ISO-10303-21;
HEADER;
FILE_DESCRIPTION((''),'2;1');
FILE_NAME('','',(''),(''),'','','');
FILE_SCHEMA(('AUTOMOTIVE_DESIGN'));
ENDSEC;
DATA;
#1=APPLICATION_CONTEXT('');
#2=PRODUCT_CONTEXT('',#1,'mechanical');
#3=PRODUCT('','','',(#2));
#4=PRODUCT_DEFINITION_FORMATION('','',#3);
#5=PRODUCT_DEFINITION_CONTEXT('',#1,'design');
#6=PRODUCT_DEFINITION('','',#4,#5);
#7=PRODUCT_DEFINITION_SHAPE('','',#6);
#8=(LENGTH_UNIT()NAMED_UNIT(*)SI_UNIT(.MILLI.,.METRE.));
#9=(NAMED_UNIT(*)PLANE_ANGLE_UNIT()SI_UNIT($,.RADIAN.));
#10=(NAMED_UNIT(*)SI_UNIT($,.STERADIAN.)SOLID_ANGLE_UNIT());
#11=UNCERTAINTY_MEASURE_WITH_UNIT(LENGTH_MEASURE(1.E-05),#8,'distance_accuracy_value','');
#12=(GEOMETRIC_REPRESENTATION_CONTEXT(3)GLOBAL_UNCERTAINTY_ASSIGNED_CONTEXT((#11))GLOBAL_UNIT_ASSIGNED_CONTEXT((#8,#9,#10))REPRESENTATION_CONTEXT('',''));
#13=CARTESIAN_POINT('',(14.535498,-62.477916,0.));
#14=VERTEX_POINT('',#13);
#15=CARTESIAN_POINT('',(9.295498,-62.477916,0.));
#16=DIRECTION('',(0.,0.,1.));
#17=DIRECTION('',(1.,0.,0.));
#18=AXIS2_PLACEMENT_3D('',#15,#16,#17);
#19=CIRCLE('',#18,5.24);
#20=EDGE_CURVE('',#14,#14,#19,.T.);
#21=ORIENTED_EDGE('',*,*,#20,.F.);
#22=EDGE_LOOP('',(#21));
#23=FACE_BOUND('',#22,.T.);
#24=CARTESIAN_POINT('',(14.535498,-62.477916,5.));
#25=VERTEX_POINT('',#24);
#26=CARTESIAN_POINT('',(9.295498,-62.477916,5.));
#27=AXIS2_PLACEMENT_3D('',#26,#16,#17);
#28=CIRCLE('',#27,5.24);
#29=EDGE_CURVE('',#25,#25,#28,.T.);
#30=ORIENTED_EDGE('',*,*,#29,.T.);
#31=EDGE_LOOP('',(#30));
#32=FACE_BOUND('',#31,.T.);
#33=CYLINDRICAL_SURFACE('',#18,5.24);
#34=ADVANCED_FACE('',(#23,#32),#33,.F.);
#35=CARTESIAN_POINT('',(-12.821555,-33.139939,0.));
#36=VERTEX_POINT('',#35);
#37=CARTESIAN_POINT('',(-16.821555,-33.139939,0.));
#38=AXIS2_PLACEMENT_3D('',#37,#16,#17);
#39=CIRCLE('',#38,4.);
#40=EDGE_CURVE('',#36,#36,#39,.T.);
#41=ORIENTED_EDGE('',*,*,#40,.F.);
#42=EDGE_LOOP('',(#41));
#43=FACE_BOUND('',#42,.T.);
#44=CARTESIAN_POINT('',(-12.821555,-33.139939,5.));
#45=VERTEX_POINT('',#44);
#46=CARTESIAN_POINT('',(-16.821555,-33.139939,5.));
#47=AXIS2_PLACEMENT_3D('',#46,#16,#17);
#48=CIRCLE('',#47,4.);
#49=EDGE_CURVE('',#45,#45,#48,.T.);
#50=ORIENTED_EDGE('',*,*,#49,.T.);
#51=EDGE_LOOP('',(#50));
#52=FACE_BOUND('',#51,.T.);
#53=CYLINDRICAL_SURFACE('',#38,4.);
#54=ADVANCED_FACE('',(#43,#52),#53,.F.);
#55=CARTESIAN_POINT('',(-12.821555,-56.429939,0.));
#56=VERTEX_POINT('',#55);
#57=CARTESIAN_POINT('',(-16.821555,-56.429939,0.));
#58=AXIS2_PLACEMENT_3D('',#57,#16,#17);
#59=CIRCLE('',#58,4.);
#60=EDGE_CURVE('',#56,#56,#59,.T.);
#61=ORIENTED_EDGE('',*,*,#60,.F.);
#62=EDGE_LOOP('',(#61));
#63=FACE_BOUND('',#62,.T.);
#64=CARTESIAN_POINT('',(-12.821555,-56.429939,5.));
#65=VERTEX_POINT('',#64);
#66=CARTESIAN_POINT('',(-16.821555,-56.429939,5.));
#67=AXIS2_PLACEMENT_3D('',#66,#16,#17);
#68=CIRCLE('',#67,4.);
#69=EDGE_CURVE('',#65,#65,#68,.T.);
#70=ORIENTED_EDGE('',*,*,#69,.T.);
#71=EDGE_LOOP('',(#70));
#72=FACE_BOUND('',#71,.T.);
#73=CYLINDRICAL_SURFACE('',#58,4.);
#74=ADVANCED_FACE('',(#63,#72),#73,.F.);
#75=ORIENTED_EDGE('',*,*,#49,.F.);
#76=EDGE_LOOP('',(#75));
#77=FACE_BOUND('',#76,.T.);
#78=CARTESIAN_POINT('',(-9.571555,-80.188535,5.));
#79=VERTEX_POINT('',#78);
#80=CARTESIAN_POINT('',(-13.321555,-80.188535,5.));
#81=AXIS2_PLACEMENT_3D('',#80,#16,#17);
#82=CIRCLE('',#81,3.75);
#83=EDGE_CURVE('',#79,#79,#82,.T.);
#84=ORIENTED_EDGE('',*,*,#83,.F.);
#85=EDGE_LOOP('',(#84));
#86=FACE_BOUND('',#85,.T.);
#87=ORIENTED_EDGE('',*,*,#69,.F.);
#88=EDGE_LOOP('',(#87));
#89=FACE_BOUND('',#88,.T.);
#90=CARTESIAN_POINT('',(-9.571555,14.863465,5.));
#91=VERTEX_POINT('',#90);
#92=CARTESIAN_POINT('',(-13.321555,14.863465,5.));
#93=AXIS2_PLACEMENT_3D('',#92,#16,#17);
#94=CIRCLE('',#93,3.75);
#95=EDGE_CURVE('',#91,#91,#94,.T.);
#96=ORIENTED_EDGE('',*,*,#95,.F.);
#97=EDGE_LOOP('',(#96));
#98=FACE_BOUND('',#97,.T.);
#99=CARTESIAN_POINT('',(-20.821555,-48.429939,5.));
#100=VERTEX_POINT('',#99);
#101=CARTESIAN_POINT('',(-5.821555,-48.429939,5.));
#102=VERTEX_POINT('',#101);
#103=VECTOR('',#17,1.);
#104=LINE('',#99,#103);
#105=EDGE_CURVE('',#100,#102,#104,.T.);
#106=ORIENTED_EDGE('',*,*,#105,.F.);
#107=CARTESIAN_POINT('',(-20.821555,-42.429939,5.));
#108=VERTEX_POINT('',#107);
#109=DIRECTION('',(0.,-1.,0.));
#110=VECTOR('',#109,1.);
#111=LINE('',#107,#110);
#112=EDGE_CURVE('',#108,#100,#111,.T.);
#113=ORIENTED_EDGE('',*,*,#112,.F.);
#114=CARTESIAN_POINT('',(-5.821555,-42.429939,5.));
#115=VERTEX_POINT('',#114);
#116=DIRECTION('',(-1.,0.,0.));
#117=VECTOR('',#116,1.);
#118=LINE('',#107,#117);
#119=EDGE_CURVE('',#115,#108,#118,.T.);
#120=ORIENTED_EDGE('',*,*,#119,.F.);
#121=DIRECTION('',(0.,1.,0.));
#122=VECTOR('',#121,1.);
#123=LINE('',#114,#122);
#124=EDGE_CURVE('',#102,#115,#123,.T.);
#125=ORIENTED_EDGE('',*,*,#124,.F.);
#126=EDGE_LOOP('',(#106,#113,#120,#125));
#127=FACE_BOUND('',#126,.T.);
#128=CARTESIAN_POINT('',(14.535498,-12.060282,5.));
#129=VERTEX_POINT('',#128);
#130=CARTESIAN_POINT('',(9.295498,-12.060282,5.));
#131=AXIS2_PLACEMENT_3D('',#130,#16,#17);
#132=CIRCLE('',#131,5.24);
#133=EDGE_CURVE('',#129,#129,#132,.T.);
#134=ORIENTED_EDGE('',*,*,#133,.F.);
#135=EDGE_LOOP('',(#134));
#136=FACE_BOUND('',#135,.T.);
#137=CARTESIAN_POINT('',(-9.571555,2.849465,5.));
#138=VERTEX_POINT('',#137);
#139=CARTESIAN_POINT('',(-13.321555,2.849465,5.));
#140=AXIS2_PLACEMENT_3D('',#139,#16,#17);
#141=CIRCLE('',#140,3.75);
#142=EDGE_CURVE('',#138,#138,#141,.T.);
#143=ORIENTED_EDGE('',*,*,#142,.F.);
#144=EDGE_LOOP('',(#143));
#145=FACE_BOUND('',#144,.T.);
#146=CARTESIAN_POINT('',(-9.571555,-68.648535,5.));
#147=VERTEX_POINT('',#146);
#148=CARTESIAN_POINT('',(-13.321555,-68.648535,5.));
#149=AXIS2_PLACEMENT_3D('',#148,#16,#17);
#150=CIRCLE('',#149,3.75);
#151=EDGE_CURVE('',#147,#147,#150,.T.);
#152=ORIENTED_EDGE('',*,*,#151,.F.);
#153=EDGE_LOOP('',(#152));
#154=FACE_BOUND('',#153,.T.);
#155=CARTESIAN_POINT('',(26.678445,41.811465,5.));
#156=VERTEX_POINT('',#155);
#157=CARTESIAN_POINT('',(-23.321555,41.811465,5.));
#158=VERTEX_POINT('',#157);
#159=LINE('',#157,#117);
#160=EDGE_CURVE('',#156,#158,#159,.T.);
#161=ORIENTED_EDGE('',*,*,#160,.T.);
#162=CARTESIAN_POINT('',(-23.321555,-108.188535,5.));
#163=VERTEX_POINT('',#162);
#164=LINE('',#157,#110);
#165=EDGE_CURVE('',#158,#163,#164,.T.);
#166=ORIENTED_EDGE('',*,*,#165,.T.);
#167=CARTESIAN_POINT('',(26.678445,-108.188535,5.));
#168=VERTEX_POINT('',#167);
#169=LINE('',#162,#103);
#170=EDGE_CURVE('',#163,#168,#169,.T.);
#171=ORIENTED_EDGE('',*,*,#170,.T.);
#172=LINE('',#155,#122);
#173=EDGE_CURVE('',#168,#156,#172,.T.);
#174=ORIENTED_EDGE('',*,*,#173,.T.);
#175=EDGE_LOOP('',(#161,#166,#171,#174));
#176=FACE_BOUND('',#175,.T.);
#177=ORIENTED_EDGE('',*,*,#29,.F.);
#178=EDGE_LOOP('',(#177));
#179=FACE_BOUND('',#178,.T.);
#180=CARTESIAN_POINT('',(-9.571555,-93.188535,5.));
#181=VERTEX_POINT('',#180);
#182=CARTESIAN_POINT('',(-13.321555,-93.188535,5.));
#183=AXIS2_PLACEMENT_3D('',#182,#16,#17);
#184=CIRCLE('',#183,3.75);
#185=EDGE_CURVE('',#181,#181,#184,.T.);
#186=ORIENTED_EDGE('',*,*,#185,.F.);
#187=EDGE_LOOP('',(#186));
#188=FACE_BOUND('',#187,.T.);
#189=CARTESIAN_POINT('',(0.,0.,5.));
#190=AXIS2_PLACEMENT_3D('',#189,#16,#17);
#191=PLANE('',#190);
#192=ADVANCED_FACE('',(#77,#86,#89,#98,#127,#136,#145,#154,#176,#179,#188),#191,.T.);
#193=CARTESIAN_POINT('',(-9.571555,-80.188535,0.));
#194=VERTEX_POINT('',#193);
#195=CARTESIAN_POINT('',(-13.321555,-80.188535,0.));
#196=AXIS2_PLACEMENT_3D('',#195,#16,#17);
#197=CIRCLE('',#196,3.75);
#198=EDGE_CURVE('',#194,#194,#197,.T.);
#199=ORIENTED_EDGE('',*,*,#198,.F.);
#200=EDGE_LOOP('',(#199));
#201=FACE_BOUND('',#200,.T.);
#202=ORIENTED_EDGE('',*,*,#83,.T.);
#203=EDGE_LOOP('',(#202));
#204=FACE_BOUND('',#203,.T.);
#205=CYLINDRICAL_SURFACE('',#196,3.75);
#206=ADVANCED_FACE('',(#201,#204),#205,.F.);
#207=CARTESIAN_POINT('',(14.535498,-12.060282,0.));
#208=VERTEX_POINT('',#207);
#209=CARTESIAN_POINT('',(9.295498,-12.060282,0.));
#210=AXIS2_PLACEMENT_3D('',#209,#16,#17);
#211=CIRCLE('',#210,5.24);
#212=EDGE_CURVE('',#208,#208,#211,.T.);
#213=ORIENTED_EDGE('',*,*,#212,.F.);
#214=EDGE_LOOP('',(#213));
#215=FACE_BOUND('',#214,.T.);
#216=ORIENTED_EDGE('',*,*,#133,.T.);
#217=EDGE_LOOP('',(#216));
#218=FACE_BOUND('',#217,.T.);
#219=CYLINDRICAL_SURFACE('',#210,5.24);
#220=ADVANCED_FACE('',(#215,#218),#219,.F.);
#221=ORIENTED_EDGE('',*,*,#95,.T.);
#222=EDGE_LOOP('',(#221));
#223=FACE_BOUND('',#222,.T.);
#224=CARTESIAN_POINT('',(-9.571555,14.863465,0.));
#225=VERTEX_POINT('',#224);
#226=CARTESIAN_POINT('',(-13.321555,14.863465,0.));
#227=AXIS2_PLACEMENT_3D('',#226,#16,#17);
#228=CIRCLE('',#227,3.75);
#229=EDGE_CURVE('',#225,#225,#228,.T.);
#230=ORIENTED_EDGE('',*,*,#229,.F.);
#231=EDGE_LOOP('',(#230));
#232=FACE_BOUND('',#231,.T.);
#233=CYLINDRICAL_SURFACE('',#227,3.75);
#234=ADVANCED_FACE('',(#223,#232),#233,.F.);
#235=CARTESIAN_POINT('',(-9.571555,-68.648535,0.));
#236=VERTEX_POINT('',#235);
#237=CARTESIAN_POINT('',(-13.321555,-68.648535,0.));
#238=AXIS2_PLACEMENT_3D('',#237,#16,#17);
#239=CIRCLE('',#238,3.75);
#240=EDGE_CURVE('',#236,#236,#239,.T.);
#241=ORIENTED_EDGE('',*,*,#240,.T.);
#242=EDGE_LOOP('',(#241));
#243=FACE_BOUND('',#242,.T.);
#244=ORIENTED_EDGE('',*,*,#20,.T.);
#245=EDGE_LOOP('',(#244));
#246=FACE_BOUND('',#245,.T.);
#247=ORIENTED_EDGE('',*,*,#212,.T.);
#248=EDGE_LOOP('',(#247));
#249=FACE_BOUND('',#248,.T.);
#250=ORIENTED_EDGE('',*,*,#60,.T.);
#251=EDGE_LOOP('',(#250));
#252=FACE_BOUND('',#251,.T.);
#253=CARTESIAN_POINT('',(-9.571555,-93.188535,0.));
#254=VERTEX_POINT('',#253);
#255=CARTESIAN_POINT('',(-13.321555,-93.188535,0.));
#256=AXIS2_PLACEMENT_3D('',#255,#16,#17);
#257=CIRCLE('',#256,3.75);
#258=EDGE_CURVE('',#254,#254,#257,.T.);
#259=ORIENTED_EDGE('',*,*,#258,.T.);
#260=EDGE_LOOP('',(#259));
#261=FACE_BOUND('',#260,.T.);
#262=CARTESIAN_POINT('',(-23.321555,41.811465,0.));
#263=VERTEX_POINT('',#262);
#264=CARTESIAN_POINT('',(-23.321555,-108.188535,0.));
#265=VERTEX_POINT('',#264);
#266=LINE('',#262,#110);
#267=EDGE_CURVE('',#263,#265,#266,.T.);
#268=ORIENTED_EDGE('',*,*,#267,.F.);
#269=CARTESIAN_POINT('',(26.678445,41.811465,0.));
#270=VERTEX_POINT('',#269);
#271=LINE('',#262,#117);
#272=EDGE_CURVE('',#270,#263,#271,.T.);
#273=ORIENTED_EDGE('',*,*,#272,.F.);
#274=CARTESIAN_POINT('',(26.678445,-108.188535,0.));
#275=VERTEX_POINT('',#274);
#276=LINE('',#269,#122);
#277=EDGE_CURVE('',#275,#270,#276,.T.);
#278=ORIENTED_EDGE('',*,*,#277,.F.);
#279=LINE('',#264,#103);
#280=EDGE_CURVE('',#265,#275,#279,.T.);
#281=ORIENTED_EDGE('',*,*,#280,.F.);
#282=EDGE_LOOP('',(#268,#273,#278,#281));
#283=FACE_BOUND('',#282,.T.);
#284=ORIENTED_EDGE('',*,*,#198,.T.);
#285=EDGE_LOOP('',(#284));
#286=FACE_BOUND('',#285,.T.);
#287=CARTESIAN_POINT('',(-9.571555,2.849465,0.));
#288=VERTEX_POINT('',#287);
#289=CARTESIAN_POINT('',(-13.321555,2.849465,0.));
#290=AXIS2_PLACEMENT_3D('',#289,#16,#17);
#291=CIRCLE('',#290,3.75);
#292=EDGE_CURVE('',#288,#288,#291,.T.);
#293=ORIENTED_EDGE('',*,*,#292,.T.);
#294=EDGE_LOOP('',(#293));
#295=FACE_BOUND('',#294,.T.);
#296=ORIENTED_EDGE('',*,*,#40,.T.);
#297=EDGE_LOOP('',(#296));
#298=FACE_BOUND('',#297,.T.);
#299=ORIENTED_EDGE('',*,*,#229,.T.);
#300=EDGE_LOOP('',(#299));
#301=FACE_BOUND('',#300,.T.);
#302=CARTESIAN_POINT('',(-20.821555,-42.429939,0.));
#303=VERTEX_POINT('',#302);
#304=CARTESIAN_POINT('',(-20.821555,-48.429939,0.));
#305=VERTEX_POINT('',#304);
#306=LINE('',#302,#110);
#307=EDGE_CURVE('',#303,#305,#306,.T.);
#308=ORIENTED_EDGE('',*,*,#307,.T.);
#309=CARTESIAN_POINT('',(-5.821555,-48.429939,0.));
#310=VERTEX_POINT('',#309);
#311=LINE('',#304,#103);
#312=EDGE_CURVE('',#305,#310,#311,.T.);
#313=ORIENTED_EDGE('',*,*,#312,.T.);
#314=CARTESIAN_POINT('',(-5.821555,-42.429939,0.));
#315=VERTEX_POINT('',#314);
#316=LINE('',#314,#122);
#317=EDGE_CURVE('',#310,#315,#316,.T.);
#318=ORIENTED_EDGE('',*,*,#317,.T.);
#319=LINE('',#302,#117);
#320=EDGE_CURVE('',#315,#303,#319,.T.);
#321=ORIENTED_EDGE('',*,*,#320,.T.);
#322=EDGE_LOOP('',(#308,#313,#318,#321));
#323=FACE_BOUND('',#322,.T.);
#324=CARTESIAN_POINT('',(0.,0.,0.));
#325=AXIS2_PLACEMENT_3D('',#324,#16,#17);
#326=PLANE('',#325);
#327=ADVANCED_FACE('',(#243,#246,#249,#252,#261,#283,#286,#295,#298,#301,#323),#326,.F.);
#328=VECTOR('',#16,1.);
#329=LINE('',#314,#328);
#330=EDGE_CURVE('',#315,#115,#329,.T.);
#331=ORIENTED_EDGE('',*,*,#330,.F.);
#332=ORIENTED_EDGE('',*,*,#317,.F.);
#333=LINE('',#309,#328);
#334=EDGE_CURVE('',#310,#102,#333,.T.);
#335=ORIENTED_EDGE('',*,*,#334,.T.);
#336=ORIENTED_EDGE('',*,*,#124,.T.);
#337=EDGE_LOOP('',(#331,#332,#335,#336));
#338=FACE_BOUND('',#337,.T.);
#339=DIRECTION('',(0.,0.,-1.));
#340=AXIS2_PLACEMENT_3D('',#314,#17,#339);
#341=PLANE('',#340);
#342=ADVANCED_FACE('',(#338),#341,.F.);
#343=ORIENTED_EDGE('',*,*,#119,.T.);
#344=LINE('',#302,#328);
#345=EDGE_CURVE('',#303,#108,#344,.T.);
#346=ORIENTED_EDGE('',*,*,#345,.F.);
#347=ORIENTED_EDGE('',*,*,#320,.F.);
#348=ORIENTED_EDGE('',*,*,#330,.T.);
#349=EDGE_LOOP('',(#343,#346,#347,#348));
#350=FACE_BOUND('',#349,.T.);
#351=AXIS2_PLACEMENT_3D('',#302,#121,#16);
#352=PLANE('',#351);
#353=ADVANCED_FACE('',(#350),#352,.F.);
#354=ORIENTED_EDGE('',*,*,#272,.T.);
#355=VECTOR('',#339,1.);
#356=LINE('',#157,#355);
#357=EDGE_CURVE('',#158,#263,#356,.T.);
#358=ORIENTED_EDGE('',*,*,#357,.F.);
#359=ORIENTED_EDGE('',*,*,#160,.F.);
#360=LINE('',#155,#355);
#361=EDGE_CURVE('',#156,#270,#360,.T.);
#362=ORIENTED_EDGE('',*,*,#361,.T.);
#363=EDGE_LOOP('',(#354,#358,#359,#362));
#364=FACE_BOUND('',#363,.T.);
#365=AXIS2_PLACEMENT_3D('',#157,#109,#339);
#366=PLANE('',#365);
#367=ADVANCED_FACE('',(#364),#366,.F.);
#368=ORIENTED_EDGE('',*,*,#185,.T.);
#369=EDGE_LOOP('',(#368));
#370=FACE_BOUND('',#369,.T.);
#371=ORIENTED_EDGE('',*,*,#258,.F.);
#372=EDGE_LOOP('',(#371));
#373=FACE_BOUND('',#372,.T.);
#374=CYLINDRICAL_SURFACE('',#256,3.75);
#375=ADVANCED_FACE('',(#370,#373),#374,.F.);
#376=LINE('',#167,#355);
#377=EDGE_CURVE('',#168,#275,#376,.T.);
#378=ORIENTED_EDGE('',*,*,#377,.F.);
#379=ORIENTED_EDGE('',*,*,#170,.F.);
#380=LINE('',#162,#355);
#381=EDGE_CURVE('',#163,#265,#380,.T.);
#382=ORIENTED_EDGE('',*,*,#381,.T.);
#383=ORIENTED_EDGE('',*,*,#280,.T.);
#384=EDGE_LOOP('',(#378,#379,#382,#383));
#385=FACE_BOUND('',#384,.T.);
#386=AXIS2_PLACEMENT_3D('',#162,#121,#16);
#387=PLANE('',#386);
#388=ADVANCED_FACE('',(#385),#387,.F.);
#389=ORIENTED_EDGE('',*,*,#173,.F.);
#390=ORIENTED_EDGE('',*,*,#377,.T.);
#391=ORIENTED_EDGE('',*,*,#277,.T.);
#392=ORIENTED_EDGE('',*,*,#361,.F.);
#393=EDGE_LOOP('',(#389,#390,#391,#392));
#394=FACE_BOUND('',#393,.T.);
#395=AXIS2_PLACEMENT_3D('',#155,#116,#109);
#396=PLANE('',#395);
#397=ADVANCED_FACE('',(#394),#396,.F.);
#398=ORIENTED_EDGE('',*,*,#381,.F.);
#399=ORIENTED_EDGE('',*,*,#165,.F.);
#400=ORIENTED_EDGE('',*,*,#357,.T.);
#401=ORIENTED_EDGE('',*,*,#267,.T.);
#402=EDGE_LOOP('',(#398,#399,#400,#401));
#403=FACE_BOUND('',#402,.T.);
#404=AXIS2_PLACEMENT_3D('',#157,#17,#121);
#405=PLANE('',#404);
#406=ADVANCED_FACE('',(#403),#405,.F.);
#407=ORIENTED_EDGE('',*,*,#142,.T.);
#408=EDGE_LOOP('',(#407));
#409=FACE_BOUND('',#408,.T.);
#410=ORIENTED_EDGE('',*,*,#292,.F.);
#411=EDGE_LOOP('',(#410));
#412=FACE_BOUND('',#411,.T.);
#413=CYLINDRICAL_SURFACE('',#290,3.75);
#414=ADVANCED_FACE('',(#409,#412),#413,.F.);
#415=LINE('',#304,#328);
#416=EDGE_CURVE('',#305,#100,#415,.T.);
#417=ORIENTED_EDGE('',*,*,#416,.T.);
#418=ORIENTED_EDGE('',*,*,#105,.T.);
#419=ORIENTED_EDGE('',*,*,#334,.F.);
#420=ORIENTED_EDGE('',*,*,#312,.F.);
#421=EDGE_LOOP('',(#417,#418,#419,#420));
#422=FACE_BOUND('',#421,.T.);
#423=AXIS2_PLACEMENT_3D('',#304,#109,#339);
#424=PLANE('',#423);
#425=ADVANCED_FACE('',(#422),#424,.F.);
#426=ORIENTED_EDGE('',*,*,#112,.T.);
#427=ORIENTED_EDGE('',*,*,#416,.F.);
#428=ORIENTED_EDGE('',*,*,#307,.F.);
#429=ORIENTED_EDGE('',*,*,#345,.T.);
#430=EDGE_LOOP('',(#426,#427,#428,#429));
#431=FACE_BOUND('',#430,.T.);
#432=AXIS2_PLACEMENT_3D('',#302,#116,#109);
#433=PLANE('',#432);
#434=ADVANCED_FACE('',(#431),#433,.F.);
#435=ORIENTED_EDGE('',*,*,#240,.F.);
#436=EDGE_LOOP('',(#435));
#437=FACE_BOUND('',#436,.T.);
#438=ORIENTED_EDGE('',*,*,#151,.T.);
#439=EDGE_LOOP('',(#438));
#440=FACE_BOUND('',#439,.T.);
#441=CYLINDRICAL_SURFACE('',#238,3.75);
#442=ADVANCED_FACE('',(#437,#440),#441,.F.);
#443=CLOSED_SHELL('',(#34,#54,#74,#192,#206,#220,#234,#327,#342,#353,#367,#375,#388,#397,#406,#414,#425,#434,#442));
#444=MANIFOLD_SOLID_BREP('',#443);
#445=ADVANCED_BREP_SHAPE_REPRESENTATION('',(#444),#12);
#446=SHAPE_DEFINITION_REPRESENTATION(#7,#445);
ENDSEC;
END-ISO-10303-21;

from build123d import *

# Parameters (mm, degrees)
SKETCH_1_W          = 50
SKETCH_1_H          = 150
EXTRUDE_1_DEPTH     = 5
SKETCH_2_R          = 3.75
CUT_EXTRUDE_1_DEPTH = 5
SKETCH_3_R          = 4
CUT_EXTRUDE_2_DEPTH = 5
SKETCH_4_W          = 15
SKETCH_4_H          = 6
CUT_EXTRUDE_3_DEPTH = 5
SKETCH_5_R          = 5.24
CUT_EXTRUDE_4_DEPTH = 5


with BuildPart() as part:
    # 草图1 → 凸台-拉伸1 (new body)
    with BuildSketch(Plane.XY):
        with Locations((1.67844523, -33.188535046)):
            Rectangle(SKETCH_1_W, SKETCH_1_H)
    extrude(amount=EXTRUDE_1_DEPTH)

    # 草图2 → 切除-拉伸1 (cut)
    with BuildSketch(Plane.XY.offset(5)):
        with Locations((-13.32155477, -93.188535046)):
            Circle(SKETCH_2_R)
        with Locations((-13.32155477, -80.188535046)):
            Circle(SKETCH_2_R)
        with Locations((-13.32155477, -68.648535046)):
            Circle(SKETCH_2_R)
        with Locations((-13.32155477, 2.849464954)):
            Circle(SKETCH_2_R)
        with Locations((-13.32155477, 14.863464954)):
            Circle(SKETCH_2_R)
    extrude(amount=-CUT_EXTRUDE_1_DEPTH, mode=Mode.SUBTRACT)

    # 草图3 → 切除-拉伸2 (cut)
    with BuildSketch(Plane.XY.offset(5)):
        with Locations((-16.82155477, -56.429938563)):
            Circle(SKETCH_3_R)
        with Locations((-16.82155477, -33.139938563)):
            Circle(SKETCH_3_R)
    extrude(amount=-CUT_EXTRUDE_2_DEPTH, mode=Mode.SUBTRACT)

    # 草图4 → 切除-拉伸3 (cut)
    with BuildSketch(Plane.XY.offset(5)):
        with Locations((-13.32155477, -45.429938563)):
            Rectangle(SKETCH_4_W, SKETCH_4_H)
    extrude(amount=-CUT_EXTRUDE_3_DEPTH, mode=Mode.SUBTRACT)

    # 草图5 → 切除-拉伸4 (cut)
    with BuildSketch(Plane.XY.offset(5)):
        with Locations((9.295497906, -12.060281788)):
            Circle(SKETCH_5_R)
        with Locations((9.295497906, -62.477916171)):
            Circle(SKETCH_5_R)
    extrude(amount=-CUT_EXTRUDE_4_DEPTH, mode=Mode.SUBTRACT)


solid = part.part
